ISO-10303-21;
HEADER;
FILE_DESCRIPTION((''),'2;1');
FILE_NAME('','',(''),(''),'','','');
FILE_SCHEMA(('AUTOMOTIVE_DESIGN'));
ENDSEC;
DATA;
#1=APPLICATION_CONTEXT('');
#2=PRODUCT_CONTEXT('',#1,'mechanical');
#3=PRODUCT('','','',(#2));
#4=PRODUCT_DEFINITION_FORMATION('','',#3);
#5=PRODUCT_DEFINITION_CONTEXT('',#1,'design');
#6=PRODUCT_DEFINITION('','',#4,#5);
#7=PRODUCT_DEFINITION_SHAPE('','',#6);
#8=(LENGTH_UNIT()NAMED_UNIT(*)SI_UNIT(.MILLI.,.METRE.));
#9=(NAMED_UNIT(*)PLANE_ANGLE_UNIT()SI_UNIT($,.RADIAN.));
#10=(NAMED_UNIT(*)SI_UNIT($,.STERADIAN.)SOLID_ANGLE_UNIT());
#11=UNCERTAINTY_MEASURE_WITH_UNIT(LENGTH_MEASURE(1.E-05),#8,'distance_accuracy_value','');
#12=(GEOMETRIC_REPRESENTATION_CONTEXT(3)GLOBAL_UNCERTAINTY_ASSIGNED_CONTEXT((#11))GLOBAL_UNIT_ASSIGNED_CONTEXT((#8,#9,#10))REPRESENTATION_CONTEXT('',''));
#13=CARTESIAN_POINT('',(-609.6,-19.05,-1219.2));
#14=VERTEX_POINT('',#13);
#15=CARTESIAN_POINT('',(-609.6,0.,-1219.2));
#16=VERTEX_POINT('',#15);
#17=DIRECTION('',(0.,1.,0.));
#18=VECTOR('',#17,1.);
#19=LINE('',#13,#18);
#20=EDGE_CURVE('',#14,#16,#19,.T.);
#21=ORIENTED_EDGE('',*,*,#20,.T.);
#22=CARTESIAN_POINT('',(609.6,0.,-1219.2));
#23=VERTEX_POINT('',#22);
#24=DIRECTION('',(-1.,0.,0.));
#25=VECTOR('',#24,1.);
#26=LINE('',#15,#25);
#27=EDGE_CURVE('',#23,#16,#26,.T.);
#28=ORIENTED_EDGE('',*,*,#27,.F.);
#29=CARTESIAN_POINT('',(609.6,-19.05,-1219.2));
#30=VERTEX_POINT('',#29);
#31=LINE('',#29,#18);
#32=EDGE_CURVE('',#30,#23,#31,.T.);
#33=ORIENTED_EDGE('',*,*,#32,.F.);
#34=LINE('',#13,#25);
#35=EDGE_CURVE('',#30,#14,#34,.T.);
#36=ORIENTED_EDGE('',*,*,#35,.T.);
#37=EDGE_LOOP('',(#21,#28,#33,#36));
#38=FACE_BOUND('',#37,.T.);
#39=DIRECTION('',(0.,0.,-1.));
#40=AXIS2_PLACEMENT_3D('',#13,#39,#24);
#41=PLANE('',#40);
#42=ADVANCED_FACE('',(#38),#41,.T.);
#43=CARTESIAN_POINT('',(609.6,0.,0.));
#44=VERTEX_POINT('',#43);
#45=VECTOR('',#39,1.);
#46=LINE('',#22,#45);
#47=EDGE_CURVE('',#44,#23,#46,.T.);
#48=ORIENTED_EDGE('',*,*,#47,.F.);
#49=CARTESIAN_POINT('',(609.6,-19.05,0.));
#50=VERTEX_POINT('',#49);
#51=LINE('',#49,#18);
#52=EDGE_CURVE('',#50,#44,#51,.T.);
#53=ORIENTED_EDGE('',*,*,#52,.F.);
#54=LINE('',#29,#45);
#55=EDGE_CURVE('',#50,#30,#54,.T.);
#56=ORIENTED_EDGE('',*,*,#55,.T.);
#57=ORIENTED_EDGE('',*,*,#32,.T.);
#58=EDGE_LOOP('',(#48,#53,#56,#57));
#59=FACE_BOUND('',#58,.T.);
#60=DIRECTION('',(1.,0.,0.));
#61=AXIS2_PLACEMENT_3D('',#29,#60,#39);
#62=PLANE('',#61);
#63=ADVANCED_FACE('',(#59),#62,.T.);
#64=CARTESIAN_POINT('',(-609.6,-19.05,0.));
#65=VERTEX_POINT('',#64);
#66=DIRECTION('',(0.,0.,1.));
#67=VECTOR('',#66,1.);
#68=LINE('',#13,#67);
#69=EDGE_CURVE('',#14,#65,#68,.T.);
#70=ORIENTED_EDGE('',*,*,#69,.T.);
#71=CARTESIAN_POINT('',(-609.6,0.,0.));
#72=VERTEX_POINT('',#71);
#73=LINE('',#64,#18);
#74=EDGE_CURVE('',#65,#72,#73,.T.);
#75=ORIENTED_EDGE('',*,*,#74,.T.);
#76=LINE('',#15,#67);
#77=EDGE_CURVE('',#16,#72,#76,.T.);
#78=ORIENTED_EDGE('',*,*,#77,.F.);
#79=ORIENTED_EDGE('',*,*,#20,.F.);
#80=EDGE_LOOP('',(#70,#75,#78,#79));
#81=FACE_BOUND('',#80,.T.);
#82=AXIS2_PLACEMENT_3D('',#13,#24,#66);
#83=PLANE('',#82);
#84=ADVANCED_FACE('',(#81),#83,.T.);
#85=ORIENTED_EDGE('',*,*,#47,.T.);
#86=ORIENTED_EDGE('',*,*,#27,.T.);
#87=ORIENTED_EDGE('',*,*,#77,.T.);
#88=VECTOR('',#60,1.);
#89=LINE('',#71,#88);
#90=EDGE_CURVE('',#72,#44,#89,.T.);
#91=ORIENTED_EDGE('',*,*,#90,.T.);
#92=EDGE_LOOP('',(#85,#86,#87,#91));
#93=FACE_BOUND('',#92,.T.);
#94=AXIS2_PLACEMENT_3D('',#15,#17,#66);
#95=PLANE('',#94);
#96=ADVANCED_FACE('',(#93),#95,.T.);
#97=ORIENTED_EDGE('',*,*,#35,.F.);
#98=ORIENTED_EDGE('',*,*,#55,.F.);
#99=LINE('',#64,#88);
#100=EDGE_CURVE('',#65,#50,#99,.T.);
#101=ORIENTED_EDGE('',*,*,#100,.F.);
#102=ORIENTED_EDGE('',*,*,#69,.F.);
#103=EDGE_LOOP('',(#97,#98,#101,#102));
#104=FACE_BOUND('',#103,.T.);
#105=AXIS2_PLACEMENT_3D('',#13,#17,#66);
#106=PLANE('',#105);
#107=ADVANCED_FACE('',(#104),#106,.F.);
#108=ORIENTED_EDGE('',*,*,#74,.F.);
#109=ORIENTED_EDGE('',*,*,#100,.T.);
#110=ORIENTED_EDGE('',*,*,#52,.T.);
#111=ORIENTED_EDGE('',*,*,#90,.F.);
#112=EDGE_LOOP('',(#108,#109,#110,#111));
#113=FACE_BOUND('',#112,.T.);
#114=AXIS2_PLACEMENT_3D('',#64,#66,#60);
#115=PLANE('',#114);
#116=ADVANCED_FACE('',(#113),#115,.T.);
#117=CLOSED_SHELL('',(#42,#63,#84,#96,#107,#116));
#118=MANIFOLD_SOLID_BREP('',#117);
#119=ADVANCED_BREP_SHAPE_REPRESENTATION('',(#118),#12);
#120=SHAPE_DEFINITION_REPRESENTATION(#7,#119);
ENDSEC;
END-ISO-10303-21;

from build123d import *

# Parameters (mm, degrees)
SKETCH1_W      = 1219.2
SKETCH1_H      = 1219.2
EXTRUDE1_DEPTH = 19.05


with BuildPart() as part:
    # Sketch1 → Extrude1 (new body)
    with BuildSketch(Plane(origin=(0, 0, 0), x_dir=(1, 0, 0), z_dir=(0, 1, 0))):
        with Locations((0, 609.6)):
            Rectangle(SKETCH1_W, SKETCH1_H)
    extrude(amount=-EXTRUDE1_DEPTH)


solid = part.part
